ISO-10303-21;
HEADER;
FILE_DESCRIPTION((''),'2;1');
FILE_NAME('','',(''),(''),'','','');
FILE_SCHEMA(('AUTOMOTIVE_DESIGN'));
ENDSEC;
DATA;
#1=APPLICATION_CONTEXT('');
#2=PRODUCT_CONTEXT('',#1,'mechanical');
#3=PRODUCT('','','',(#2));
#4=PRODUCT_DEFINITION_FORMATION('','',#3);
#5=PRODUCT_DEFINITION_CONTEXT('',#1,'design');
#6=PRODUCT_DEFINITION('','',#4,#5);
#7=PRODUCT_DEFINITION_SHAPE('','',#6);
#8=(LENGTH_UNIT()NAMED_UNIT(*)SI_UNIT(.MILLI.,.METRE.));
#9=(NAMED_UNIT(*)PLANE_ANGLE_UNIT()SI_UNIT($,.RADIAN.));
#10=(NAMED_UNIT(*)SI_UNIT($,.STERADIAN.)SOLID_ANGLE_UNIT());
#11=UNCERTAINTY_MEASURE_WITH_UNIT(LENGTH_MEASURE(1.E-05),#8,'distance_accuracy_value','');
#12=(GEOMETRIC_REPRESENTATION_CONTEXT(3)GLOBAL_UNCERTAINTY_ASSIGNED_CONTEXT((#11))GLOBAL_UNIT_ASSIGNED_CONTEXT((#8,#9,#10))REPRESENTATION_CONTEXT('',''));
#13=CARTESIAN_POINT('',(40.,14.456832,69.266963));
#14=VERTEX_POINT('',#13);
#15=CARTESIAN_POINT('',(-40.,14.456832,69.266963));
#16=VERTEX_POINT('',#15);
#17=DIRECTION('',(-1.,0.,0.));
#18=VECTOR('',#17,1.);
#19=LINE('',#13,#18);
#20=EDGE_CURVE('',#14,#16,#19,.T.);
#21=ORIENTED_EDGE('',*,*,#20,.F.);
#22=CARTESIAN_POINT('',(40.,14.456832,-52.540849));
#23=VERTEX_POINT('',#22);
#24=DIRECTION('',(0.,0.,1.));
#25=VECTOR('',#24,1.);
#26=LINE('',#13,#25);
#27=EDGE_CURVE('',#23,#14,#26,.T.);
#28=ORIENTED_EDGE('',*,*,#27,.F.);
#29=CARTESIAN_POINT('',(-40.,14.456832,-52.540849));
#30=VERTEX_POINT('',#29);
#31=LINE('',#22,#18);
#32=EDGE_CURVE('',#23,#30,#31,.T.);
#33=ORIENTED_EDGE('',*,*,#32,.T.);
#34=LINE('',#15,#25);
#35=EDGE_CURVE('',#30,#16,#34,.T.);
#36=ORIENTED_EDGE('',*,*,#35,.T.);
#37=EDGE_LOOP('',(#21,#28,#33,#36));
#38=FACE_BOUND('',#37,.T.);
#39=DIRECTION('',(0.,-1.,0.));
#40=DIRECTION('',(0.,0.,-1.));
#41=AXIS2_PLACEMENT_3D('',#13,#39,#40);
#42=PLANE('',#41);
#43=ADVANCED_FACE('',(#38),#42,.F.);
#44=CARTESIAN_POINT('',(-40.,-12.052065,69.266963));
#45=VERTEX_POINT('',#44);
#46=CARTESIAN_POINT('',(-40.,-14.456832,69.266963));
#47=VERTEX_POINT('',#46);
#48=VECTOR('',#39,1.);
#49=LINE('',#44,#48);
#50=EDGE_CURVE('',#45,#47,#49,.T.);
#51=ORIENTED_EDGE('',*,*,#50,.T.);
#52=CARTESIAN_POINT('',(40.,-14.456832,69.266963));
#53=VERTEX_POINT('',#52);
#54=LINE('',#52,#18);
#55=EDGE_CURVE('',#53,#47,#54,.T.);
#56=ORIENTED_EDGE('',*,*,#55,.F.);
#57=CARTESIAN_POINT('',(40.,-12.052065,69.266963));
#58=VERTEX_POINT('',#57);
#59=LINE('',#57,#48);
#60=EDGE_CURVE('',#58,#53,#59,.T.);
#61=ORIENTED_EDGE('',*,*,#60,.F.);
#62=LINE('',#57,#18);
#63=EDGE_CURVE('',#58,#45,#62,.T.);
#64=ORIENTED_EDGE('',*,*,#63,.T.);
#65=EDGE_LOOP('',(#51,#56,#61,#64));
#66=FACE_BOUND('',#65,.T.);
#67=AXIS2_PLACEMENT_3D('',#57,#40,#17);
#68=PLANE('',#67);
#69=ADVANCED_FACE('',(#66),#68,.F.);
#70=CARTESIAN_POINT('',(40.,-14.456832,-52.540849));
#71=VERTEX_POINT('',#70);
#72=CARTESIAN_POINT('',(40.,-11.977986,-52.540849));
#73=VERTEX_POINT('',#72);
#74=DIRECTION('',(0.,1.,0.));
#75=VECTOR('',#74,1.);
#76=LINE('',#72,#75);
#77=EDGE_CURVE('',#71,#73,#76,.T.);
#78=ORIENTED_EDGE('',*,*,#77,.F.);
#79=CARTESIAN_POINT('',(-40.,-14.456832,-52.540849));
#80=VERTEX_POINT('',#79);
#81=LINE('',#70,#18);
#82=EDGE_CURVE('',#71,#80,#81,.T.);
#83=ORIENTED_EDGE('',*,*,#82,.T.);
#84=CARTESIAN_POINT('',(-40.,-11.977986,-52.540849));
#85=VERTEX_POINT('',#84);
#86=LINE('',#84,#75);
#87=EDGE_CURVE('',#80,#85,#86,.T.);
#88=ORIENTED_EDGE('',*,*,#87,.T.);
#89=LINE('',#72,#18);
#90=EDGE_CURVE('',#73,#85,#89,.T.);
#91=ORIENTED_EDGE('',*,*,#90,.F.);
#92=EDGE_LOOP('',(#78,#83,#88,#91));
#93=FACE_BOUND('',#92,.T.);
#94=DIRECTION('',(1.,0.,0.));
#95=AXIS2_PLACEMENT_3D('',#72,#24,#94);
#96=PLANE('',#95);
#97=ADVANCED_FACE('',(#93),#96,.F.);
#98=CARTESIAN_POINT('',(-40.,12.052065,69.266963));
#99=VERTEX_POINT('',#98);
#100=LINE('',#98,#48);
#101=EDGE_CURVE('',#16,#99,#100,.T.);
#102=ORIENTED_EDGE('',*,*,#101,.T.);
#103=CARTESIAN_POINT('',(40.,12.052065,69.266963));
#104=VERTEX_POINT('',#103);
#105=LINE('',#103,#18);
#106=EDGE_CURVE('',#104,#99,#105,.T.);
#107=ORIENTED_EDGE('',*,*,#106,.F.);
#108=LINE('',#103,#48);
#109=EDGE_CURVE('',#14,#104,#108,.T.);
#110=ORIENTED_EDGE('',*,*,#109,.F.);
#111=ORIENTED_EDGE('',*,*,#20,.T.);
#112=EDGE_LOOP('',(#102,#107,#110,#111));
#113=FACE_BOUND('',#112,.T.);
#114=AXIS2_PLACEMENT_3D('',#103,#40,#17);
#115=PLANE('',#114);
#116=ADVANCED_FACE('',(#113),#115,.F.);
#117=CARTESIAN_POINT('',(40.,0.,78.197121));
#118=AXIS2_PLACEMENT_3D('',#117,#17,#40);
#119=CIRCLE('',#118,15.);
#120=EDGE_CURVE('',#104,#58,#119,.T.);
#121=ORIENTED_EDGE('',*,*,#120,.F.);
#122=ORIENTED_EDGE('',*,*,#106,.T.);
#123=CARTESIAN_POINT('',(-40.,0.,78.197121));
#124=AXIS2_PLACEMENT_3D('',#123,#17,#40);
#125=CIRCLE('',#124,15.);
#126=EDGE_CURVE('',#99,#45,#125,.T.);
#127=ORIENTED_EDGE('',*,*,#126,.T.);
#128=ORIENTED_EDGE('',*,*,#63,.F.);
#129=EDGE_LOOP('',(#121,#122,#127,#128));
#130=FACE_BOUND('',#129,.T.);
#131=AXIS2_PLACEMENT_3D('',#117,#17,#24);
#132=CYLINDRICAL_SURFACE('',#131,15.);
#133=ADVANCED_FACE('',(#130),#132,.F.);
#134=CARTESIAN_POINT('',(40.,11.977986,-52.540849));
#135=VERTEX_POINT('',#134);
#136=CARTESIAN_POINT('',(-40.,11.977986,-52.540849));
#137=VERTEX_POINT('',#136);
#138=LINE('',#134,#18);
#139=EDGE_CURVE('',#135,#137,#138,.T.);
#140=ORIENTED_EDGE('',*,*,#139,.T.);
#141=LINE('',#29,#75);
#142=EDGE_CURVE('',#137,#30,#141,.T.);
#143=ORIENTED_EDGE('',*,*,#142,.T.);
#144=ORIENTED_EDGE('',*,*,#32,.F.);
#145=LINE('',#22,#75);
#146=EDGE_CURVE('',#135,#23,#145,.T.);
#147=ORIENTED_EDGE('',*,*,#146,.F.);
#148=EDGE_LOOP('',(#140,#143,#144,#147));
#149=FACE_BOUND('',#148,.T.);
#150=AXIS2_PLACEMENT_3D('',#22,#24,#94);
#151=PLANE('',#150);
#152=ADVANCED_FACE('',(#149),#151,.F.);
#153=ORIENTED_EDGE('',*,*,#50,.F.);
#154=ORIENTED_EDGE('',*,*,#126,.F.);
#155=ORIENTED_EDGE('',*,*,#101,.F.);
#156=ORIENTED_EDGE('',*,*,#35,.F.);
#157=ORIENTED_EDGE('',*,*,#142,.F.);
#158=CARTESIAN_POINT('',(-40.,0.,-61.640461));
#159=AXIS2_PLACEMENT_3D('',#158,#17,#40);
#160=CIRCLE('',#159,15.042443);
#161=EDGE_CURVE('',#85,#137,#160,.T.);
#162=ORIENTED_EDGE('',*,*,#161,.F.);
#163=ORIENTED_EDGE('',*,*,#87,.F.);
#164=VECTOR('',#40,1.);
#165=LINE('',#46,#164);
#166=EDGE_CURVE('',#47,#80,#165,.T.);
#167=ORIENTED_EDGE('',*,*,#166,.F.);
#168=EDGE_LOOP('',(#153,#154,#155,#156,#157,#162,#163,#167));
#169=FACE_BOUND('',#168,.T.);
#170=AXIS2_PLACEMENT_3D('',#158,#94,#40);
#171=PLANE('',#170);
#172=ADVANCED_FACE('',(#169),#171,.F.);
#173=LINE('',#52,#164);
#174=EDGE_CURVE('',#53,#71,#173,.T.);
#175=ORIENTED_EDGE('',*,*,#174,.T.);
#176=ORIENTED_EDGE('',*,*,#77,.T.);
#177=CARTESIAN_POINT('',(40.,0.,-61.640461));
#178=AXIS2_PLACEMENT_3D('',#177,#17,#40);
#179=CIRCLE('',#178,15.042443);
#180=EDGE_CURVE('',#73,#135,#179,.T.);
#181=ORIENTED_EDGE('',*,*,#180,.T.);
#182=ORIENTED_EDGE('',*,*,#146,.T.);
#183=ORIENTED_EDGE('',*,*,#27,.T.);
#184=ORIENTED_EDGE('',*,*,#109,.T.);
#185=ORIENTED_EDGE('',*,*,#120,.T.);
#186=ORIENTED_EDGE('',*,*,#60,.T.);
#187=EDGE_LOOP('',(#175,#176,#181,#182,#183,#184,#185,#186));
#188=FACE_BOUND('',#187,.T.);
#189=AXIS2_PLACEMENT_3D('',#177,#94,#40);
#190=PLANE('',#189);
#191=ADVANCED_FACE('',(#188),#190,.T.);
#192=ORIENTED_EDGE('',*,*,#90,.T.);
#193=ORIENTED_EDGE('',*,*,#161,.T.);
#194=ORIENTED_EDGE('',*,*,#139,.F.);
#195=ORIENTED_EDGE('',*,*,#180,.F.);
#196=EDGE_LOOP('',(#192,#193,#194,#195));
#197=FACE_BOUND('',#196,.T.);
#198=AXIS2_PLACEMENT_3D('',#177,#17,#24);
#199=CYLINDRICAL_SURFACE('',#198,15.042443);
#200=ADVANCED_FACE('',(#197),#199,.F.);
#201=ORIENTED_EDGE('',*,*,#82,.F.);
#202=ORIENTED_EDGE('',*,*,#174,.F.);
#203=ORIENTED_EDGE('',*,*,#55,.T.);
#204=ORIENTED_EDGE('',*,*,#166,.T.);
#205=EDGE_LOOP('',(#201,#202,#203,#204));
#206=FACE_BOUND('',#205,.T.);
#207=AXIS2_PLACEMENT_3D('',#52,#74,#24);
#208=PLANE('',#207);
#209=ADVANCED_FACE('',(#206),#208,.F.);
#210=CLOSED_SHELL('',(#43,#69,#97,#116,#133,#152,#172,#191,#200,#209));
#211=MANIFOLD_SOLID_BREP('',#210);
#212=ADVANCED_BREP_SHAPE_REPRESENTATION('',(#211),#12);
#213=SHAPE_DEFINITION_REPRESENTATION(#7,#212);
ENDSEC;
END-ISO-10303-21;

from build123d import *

# Parameters (mm, degrees)
EXTRUDE_1_DEPTH = 40


with BuildPart() as part:
    # 스케치1 → 보스-돌출1 (new, symmetric)
    with BuildSketch(Plane(origin=(0, 0, 0), x_dir=(0, 0, -1), z_dir=(1, 0, 0))):
        with BuildLine():
            Line((-69.266962805, 12.052065062), (-69.266962805, 14.456832295))
            Line((-69.266962805, 14.456832295), (52.54084866, 14.456832295))
            Line((52.54084866, 14.456832295), (52.54084866, 11.97798599))
            ThreePointArc((52.54084866, 11.97798599), (46.598017754, 0), (52.54084866, -11.97798599))
            Line((52.54084866, -11.97798599), (52.54084866, -14.456832295))
            Line((52.54084866, -14.456832295), (-69.266962805, -14.456832295))
            Line((-69.266962805, -14.456832295), (-69.266962805, -12.052065062))
            ThreePointArc((-69.266962805, -12.052065062), (-63.197121131, 0), (-69.266962805, 12.052065062))
        make_face()
    extrude(amount=EXTRUDE_1_DEPTH, both=True)


solid = part.part
